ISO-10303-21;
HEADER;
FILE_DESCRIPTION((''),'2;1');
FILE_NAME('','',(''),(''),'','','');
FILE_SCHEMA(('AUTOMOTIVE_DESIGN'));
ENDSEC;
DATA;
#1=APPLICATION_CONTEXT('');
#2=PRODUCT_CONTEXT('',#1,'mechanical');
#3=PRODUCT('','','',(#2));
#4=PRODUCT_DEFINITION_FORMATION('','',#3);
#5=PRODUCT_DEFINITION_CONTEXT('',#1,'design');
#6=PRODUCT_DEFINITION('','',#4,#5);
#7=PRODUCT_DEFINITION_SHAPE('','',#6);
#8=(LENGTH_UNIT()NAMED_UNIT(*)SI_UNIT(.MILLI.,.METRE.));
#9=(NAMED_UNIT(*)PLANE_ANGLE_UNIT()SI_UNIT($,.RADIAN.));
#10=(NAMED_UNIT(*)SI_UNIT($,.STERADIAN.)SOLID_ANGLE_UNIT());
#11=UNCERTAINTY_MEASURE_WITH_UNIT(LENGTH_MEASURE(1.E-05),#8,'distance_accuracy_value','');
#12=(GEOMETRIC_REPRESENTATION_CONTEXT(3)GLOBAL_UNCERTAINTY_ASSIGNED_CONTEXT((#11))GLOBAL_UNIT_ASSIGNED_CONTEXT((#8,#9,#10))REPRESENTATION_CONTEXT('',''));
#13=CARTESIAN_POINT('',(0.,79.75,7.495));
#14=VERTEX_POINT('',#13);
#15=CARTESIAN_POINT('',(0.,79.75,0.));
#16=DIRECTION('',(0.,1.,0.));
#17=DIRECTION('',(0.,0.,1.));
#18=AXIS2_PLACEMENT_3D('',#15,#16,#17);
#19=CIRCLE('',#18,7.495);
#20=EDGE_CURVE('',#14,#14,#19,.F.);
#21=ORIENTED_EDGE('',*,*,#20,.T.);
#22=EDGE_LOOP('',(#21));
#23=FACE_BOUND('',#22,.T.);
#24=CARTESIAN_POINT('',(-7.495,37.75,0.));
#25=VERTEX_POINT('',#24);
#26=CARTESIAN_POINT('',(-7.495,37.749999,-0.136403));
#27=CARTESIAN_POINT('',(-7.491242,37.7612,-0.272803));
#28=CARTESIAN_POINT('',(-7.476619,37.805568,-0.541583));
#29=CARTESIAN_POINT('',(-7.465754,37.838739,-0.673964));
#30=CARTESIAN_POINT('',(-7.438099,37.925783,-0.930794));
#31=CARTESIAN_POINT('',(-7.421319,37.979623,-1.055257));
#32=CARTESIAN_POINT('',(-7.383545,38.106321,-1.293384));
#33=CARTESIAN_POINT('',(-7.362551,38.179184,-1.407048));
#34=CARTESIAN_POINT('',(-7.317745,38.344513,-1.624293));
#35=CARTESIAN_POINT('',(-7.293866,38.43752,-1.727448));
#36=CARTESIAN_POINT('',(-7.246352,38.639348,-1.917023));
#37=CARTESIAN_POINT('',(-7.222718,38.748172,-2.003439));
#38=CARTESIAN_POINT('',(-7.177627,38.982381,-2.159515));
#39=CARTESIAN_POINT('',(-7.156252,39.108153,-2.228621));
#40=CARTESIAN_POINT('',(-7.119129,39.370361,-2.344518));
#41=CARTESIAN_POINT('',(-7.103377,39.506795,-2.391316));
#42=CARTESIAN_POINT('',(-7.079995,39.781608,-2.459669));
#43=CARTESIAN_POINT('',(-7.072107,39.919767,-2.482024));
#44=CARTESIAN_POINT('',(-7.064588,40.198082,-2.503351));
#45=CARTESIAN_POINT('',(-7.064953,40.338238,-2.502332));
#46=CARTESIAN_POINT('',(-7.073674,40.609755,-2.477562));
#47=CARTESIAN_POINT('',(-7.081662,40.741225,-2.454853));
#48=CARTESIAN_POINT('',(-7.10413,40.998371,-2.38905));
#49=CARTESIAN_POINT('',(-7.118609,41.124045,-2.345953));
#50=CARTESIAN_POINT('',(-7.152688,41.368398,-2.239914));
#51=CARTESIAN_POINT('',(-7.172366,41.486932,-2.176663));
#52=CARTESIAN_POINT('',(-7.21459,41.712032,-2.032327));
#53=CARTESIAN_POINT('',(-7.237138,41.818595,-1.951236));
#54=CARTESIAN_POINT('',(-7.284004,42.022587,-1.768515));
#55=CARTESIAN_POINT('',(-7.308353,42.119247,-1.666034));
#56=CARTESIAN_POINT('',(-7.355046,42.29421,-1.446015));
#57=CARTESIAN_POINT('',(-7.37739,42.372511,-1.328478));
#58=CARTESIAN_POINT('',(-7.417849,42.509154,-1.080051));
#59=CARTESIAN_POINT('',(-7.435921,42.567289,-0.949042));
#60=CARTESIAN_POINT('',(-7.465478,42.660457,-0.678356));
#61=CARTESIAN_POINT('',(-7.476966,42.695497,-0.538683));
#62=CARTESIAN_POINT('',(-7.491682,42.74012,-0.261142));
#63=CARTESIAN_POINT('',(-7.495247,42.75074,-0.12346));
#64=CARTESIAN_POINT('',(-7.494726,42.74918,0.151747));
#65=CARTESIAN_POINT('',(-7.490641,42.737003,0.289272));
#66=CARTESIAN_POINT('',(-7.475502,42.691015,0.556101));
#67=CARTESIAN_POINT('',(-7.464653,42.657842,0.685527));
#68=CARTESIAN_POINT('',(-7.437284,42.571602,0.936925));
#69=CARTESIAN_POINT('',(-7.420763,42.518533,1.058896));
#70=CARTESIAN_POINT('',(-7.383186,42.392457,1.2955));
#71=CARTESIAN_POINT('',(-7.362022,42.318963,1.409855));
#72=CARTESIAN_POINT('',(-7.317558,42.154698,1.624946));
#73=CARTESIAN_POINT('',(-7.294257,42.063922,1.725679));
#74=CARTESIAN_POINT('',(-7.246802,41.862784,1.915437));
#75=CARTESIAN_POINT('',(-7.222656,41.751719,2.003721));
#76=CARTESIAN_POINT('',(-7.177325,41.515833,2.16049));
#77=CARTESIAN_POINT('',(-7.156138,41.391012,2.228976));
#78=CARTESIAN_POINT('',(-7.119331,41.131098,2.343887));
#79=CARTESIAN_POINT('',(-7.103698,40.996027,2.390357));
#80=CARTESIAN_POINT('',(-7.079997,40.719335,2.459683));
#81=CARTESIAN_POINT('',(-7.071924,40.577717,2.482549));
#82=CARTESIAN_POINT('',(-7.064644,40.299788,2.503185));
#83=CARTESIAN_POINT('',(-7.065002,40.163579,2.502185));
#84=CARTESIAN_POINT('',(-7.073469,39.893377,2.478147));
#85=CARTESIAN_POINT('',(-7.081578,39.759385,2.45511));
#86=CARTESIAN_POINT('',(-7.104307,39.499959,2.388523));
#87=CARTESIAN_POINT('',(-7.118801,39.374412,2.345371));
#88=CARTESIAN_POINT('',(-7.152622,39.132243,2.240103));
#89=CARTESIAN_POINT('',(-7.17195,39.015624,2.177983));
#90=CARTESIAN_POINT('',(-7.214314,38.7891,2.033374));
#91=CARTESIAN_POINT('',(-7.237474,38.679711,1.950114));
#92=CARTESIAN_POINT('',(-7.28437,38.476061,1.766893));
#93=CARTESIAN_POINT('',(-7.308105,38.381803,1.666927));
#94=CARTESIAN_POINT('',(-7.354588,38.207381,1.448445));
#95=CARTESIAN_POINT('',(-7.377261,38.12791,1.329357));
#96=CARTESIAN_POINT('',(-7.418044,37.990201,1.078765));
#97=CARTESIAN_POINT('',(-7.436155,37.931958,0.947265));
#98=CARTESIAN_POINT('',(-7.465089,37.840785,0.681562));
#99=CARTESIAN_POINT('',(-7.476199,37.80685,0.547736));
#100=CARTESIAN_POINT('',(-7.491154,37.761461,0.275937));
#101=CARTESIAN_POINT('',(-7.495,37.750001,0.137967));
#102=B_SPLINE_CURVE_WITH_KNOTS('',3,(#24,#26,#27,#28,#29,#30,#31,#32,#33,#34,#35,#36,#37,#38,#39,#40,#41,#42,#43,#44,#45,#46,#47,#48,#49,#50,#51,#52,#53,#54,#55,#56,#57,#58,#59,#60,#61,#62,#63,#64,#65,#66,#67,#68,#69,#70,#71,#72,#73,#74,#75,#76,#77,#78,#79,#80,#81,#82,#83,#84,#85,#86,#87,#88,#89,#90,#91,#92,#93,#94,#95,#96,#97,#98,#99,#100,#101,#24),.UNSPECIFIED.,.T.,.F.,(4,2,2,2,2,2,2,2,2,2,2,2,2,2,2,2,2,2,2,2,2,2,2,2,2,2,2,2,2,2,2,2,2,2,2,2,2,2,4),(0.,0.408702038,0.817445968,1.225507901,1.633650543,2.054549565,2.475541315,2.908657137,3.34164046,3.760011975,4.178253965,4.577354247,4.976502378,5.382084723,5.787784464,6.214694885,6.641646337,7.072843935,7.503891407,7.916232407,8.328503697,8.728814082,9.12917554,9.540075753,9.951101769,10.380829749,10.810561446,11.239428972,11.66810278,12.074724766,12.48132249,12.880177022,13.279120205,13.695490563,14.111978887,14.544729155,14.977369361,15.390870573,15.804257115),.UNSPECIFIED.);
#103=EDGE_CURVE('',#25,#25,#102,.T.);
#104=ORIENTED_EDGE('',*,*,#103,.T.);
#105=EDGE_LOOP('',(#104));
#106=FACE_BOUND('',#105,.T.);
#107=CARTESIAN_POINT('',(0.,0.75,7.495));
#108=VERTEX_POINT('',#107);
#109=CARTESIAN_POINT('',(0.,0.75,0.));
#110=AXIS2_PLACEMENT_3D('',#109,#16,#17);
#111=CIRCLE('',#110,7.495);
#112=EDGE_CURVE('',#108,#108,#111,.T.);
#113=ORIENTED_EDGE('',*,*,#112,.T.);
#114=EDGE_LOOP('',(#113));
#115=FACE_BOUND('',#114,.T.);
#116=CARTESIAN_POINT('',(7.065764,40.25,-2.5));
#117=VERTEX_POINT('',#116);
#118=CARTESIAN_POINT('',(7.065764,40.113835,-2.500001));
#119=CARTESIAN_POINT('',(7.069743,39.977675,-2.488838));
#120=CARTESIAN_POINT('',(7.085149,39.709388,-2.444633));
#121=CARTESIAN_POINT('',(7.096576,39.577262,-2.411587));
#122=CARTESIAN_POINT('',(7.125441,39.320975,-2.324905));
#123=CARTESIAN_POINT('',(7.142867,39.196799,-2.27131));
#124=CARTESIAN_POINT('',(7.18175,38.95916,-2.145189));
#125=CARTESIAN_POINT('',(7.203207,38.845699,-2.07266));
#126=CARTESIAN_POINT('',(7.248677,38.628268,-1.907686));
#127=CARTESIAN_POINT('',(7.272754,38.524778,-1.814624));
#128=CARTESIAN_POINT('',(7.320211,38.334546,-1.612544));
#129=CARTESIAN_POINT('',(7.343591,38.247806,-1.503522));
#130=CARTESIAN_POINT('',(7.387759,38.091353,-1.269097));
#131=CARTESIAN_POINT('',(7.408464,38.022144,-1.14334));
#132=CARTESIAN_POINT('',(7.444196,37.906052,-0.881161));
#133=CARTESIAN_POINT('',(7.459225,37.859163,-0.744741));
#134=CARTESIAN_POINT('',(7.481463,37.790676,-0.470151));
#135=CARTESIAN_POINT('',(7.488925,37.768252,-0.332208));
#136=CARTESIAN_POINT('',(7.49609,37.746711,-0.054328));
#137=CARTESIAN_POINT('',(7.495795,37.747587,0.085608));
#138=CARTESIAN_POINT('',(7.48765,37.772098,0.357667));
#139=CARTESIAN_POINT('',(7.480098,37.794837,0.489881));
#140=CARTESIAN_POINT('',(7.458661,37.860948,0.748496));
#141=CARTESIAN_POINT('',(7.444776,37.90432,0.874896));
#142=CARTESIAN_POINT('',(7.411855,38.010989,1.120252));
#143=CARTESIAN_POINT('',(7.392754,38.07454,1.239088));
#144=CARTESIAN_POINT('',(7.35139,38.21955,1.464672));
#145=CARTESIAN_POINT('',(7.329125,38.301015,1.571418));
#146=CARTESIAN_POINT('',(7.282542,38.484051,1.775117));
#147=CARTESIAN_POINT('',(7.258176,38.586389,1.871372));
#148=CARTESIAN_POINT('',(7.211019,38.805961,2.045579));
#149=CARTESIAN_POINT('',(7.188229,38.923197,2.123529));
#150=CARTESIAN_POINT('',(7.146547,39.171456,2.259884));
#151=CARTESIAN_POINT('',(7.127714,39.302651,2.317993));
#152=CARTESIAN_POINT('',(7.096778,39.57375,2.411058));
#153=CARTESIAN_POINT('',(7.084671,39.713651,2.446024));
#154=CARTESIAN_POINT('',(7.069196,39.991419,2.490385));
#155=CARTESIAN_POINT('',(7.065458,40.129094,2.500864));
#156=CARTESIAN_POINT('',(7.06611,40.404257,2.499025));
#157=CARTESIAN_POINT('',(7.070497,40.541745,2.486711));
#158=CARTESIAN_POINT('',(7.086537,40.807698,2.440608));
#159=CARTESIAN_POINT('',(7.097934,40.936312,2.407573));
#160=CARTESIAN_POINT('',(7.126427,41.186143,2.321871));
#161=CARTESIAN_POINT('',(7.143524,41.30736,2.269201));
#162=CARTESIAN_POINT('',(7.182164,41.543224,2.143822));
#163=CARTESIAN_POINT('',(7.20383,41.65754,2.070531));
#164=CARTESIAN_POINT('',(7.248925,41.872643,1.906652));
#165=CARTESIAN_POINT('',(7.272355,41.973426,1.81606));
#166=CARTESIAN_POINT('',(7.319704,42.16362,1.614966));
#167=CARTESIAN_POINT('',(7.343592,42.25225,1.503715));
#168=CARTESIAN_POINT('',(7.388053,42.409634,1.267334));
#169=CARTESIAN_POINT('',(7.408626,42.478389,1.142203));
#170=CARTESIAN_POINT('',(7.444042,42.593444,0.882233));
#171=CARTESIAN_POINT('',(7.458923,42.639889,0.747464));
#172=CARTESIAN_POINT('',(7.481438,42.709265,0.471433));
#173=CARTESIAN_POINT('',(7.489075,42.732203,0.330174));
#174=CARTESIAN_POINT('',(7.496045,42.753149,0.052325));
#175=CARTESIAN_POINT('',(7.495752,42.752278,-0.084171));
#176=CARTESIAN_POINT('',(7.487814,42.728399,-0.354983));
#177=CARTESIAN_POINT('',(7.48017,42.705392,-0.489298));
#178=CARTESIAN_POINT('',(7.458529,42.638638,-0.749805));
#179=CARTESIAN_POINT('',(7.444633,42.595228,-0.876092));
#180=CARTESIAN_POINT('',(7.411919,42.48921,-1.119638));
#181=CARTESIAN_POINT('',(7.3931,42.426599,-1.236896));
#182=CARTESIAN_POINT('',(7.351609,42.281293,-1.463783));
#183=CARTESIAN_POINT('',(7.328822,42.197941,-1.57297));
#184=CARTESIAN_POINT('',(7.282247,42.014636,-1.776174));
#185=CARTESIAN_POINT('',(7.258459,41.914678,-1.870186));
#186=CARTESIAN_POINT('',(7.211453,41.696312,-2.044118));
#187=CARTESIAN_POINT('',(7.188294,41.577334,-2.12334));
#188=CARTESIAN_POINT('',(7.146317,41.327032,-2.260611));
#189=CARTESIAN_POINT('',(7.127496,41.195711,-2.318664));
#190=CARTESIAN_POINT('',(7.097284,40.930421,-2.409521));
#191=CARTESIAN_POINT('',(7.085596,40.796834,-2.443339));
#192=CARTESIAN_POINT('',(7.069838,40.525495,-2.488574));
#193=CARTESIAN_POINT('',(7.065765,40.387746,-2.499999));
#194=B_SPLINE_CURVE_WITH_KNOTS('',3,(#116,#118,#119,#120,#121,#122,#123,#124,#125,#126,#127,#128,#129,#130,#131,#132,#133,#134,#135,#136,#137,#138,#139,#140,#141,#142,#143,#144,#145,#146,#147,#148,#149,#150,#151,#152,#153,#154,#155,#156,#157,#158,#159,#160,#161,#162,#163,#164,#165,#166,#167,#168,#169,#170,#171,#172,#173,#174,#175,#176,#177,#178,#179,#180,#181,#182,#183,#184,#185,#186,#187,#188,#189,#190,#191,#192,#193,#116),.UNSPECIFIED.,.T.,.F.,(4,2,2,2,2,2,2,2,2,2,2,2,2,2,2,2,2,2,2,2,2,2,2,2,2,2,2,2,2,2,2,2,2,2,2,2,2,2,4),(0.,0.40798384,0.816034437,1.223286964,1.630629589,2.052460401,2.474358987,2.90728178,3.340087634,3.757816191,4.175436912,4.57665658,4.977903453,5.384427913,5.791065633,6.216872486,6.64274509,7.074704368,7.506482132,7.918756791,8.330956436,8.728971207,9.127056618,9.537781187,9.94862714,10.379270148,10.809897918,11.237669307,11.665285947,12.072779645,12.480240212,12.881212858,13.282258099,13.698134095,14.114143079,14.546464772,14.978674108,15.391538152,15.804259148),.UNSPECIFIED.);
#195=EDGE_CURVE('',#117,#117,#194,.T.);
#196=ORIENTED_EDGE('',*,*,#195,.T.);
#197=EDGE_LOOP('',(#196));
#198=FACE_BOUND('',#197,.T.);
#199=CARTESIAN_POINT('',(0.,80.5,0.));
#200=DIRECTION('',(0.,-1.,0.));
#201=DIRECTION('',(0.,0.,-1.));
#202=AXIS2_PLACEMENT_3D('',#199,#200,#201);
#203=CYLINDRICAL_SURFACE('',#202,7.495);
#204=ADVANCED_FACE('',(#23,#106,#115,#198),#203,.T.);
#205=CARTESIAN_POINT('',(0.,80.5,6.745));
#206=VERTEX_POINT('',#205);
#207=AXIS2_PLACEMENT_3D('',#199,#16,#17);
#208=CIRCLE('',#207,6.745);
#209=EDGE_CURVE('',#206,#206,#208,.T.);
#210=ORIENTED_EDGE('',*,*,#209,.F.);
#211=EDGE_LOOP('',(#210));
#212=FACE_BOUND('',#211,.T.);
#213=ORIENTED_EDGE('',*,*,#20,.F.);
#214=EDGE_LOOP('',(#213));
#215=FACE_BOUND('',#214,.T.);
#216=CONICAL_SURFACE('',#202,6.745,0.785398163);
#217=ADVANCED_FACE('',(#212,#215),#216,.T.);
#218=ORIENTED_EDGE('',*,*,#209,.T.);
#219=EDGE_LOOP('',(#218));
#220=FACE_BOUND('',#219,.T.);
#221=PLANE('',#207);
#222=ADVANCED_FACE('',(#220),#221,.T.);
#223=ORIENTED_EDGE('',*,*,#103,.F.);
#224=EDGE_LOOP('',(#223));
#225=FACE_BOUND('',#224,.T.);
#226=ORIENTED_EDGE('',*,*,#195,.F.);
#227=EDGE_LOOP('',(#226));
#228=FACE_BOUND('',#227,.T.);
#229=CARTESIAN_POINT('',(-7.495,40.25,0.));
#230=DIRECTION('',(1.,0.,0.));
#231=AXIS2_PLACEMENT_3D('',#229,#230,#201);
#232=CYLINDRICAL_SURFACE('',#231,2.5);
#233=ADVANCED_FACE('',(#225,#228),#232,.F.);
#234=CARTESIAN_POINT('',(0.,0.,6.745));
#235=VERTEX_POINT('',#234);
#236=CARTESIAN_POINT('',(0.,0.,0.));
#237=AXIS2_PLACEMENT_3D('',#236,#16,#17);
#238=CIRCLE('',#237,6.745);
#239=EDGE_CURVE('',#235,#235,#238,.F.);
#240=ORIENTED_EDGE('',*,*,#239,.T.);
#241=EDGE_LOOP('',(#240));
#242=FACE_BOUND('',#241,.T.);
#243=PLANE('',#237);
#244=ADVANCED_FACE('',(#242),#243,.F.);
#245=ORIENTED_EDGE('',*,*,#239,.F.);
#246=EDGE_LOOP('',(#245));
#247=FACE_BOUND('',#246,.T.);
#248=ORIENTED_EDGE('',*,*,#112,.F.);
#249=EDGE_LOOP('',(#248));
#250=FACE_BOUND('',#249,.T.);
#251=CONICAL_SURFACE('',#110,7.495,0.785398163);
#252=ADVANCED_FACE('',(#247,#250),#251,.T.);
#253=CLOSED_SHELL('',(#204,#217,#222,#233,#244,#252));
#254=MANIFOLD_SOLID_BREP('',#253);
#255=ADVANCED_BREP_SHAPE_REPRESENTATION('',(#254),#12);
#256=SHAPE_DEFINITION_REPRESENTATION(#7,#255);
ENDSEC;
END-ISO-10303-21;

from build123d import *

# Parameters (mm, degrees)
SKETCH1_R               = 7.495
BOSS_EXTRUDE1_DEPTH     = 80.5
CUT_EXTRUDE1_DEPTH      = 82.194827729
CUT_EXTRUDE1_DEPTH_BACK = 82.194827729
SKETCH2_R               = 2.5
CHAMFER1_SIZE           = 0.75


with BuildPart() as part:
    # Sketch1 → Boss-Extrude1 (new body)
    with BuildSketch(Plane(origin=(0, 0, 0), x_dir=(1, 0, 0), z_dir=(0, 1, 0))):
        with Locations(Location((0, 0, 0), (0, 0, 270))):
            Circle(SKETCH1_R)
    extrude(amount=BOSS_EXTRUDE1_DEPTH)

    # Sketch2 → Cut-Extrude1 (cut, two sides: drawn at the far end of the back side and taken through both)
    with BuildSketch(Plane(origin=(0, 0, 0), x_dir=(0, 0, -1), z_dir=(1, 0, 0)).offset(-CUT_EXTRUDE1_DEPTH_BACK)):
        with Locations((0, 40.25)):
            Circle(SKETCH2_R)
    extrude(amount=CUT_EXTRUDE1_DEPTH + CUT_EXTRUDE1_DEPTH_BACK, mode=Mode.SUBTRACT)

    # Chamfer1
    chamfer1_edges = [part.edges().sort_by_distance(p)[0] for p in [
        (0, 0, -7.495),
        (0, 80.5, -7.495),
    ]]
    chamfer(chamfer1_edges, length=CHAMFER1_SIZE)


solid = part.part
